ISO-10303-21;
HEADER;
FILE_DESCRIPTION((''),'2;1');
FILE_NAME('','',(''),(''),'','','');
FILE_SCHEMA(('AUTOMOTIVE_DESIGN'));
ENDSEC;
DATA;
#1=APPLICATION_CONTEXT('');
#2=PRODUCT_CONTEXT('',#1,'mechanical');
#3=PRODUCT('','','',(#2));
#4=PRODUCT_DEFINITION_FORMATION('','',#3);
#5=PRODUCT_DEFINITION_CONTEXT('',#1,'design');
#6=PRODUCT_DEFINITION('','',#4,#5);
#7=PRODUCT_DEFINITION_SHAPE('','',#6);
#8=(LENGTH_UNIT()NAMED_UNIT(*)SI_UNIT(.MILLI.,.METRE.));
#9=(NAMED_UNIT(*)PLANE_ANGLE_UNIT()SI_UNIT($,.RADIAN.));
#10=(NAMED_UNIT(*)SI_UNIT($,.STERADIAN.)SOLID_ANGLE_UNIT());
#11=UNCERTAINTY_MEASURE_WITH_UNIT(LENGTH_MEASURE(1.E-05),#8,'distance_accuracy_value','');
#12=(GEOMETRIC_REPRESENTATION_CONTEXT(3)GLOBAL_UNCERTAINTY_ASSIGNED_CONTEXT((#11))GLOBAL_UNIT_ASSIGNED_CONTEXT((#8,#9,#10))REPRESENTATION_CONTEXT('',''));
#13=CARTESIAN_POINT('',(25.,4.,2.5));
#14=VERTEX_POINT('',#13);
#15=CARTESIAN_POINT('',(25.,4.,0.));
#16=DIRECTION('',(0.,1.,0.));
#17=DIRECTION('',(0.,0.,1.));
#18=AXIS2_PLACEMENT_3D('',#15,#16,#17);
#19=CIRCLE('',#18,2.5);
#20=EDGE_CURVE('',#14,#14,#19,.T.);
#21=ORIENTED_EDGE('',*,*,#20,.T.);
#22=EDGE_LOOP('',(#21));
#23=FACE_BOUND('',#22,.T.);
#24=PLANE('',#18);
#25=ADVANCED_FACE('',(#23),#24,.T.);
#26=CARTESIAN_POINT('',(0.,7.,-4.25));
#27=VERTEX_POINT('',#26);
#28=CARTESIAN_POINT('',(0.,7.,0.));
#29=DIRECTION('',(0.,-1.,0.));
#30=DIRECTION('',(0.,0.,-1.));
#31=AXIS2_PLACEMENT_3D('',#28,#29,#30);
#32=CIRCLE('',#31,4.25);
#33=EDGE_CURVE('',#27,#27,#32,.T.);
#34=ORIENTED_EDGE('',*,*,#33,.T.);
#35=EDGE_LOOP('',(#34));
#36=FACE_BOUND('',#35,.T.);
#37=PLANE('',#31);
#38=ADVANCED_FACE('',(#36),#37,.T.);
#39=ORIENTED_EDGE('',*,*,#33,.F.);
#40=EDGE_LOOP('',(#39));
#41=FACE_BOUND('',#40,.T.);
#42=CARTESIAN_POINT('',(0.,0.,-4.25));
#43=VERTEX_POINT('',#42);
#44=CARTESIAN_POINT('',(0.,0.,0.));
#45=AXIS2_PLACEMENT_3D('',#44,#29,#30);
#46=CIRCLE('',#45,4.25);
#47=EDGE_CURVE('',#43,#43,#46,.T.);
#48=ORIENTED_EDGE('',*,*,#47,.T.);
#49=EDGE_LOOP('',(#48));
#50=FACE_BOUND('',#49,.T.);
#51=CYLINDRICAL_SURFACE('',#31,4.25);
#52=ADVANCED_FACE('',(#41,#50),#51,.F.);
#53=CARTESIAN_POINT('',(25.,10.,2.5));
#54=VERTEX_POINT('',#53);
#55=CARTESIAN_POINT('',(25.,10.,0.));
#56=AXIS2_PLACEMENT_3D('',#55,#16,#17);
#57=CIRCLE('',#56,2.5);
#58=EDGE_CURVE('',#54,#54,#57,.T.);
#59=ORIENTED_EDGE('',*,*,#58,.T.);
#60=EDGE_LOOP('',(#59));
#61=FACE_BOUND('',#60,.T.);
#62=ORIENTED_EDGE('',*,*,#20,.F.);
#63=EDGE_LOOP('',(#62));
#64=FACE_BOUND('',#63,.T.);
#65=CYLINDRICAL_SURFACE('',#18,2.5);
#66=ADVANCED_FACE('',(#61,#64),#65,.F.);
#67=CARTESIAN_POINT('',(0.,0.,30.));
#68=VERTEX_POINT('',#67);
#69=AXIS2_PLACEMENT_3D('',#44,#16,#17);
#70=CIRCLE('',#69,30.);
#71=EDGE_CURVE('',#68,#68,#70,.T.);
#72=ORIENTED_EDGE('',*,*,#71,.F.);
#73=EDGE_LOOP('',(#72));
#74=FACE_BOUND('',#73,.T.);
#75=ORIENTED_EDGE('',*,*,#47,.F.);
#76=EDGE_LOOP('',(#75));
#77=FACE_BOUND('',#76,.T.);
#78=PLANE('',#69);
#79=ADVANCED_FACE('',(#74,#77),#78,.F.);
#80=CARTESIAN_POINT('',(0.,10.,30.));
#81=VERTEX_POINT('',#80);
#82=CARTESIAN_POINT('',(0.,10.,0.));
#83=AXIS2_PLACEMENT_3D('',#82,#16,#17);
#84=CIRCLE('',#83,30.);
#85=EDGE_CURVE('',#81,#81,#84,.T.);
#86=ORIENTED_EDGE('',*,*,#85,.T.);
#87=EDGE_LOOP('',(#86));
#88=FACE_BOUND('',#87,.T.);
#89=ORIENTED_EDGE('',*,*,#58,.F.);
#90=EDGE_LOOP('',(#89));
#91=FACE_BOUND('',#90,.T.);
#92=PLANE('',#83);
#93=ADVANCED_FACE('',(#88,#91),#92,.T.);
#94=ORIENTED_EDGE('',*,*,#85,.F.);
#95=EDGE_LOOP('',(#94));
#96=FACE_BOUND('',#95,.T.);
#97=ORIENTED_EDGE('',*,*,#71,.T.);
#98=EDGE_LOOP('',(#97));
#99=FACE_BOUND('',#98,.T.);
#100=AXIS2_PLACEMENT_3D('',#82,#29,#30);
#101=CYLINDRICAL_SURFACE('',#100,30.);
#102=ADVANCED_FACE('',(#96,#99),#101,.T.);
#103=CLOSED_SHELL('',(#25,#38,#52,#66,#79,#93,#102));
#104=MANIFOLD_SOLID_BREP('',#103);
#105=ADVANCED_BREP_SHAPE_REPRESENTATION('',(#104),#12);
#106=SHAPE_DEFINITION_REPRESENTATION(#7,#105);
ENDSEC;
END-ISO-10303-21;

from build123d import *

# Parameters (mm, degrees)
SKETCH1_R           = 30
BOSS_EXTRUDE1_DEPTH = 10
SKETCH2_R           = 4.25
CUT_EXTRUDE1_DEPTH  = 7
SKETCH3_R           = 2.5
CUT_EXTRUDE2_DEPTH  = 6


with BuildPart() as part:
    # Sketch1 → Boss-Extrude1 (new body)
    with BuildSketch(Plane(origin=(0, 0, 0), x_dir=(1, 0, 0), z_dir=(0, 1, 0))):
        with Locations(Location((0, 0, 0), (0, 0, 270))):
            Circle(SKETCH1_R)
    extrude(amount=BOSS_EXTRUDE1_DEPTH)

    # Sketch2 → Cut-Extrude1 (cut)
    with BuildSketch(Plane.XZ):
        with Locations(Location((0, 0, 0), (0, 0, 270))):
            Circle(SKETCH2_R)
    extrude(amount=-CUT_EXTRUDE1_DEPTH, mode=Mode.SUBTRACT)

    # Sketch3 → Cut-Extrude2 (cut)
    with BuildSketch(Plane(origin=(0, 10, 0), x_dir=(1, 0, 0), z_dir=(0, 1, 0))):
        with Locations(Location((25, 0, 0), (0, 0, 270))):
            Circle(SKETCH3_R)
    extrude(amount=-CUT_EXTRUDE2_DEPTH, mode=Mode.SUBTRACT)


solid = part.part
